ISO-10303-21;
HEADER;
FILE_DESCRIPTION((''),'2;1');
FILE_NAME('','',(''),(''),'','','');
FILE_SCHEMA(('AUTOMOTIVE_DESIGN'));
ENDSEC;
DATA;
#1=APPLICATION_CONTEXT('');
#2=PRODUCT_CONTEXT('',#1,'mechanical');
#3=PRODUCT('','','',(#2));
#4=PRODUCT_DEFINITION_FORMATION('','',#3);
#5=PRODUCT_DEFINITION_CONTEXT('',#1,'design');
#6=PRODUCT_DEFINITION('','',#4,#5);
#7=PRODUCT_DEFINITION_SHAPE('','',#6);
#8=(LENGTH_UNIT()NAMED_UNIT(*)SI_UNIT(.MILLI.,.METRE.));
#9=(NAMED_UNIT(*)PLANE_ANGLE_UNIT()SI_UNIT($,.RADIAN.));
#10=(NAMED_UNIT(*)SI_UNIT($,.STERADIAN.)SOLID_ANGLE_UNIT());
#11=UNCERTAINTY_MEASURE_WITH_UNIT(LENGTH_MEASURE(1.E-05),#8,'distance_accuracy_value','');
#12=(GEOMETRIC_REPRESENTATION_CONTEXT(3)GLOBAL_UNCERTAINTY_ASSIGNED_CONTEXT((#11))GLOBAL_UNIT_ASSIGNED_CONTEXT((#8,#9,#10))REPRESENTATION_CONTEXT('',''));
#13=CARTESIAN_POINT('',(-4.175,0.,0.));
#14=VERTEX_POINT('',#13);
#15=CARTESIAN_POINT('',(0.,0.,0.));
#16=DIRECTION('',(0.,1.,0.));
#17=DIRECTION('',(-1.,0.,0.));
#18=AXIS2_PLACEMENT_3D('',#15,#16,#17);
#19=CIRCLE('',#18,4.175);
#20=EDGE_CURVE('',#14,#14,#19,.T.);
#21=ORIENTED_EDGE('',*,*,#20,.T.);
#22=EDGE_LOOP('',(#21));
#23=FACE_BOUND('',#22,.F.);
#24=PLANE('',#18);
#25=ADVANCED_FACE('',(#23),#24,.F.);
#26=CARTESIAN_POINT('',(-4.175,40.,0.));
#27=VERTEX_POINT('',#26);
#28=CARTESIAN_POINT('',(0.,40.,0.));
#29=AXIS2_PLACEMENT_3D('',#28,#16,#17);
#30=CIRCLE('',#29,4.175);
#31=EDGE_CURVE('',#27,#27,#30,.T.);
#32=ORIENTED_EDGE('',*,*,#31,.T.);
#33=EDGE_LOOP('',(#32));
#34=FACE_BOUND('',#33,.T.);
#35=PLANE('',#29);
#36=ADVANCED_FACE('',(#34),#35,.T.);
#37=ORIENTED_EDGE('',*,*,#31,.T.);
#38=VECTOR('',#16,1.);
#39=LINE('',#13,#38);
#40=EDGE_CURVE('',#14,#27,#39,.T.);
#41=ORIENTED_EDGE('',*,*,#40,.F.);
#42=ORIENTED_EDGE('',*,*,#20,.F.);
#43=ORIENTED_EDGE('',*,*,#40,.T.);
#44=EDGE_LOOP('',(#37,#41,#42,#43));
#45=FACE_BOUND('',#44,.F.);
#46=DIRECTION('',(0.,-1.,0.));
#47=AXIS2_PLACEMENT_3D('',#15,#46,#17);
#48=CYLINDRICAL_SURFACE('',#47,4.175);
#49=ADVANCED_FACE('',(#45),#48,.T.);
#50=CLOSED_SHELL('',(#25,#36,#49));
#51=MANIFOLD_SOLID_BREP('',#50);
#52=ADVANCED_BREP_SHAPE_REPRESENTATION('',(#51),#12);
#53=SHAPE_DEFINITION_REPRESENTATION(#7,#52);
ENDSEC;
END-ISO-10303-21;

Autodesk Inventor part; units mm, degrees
ref_plane "YZ Plane" through (0, 0, 0) normal (1, 0, 0) x (0, 1, 0)
ref_plane "XZ Plane" through (0, 0, 0) normal (0, 1, 0) x (-1, 0, 0)
ref_plane "XY Plane" through (0, 0, 0) normal (0, 0, 1) x (1, 0, 0)
sketch "Sketch1" plane through (0, 0, 0) normal (0, 1, 0) x (-1, 0, 0)
  circle A0 centre (0, 0) radius 4.175
  dimension "d0" = 8.35
extrude "Extrusion1" add sketch "Sketch1" along normal blind 40
properties part number "ConnectorLong"
